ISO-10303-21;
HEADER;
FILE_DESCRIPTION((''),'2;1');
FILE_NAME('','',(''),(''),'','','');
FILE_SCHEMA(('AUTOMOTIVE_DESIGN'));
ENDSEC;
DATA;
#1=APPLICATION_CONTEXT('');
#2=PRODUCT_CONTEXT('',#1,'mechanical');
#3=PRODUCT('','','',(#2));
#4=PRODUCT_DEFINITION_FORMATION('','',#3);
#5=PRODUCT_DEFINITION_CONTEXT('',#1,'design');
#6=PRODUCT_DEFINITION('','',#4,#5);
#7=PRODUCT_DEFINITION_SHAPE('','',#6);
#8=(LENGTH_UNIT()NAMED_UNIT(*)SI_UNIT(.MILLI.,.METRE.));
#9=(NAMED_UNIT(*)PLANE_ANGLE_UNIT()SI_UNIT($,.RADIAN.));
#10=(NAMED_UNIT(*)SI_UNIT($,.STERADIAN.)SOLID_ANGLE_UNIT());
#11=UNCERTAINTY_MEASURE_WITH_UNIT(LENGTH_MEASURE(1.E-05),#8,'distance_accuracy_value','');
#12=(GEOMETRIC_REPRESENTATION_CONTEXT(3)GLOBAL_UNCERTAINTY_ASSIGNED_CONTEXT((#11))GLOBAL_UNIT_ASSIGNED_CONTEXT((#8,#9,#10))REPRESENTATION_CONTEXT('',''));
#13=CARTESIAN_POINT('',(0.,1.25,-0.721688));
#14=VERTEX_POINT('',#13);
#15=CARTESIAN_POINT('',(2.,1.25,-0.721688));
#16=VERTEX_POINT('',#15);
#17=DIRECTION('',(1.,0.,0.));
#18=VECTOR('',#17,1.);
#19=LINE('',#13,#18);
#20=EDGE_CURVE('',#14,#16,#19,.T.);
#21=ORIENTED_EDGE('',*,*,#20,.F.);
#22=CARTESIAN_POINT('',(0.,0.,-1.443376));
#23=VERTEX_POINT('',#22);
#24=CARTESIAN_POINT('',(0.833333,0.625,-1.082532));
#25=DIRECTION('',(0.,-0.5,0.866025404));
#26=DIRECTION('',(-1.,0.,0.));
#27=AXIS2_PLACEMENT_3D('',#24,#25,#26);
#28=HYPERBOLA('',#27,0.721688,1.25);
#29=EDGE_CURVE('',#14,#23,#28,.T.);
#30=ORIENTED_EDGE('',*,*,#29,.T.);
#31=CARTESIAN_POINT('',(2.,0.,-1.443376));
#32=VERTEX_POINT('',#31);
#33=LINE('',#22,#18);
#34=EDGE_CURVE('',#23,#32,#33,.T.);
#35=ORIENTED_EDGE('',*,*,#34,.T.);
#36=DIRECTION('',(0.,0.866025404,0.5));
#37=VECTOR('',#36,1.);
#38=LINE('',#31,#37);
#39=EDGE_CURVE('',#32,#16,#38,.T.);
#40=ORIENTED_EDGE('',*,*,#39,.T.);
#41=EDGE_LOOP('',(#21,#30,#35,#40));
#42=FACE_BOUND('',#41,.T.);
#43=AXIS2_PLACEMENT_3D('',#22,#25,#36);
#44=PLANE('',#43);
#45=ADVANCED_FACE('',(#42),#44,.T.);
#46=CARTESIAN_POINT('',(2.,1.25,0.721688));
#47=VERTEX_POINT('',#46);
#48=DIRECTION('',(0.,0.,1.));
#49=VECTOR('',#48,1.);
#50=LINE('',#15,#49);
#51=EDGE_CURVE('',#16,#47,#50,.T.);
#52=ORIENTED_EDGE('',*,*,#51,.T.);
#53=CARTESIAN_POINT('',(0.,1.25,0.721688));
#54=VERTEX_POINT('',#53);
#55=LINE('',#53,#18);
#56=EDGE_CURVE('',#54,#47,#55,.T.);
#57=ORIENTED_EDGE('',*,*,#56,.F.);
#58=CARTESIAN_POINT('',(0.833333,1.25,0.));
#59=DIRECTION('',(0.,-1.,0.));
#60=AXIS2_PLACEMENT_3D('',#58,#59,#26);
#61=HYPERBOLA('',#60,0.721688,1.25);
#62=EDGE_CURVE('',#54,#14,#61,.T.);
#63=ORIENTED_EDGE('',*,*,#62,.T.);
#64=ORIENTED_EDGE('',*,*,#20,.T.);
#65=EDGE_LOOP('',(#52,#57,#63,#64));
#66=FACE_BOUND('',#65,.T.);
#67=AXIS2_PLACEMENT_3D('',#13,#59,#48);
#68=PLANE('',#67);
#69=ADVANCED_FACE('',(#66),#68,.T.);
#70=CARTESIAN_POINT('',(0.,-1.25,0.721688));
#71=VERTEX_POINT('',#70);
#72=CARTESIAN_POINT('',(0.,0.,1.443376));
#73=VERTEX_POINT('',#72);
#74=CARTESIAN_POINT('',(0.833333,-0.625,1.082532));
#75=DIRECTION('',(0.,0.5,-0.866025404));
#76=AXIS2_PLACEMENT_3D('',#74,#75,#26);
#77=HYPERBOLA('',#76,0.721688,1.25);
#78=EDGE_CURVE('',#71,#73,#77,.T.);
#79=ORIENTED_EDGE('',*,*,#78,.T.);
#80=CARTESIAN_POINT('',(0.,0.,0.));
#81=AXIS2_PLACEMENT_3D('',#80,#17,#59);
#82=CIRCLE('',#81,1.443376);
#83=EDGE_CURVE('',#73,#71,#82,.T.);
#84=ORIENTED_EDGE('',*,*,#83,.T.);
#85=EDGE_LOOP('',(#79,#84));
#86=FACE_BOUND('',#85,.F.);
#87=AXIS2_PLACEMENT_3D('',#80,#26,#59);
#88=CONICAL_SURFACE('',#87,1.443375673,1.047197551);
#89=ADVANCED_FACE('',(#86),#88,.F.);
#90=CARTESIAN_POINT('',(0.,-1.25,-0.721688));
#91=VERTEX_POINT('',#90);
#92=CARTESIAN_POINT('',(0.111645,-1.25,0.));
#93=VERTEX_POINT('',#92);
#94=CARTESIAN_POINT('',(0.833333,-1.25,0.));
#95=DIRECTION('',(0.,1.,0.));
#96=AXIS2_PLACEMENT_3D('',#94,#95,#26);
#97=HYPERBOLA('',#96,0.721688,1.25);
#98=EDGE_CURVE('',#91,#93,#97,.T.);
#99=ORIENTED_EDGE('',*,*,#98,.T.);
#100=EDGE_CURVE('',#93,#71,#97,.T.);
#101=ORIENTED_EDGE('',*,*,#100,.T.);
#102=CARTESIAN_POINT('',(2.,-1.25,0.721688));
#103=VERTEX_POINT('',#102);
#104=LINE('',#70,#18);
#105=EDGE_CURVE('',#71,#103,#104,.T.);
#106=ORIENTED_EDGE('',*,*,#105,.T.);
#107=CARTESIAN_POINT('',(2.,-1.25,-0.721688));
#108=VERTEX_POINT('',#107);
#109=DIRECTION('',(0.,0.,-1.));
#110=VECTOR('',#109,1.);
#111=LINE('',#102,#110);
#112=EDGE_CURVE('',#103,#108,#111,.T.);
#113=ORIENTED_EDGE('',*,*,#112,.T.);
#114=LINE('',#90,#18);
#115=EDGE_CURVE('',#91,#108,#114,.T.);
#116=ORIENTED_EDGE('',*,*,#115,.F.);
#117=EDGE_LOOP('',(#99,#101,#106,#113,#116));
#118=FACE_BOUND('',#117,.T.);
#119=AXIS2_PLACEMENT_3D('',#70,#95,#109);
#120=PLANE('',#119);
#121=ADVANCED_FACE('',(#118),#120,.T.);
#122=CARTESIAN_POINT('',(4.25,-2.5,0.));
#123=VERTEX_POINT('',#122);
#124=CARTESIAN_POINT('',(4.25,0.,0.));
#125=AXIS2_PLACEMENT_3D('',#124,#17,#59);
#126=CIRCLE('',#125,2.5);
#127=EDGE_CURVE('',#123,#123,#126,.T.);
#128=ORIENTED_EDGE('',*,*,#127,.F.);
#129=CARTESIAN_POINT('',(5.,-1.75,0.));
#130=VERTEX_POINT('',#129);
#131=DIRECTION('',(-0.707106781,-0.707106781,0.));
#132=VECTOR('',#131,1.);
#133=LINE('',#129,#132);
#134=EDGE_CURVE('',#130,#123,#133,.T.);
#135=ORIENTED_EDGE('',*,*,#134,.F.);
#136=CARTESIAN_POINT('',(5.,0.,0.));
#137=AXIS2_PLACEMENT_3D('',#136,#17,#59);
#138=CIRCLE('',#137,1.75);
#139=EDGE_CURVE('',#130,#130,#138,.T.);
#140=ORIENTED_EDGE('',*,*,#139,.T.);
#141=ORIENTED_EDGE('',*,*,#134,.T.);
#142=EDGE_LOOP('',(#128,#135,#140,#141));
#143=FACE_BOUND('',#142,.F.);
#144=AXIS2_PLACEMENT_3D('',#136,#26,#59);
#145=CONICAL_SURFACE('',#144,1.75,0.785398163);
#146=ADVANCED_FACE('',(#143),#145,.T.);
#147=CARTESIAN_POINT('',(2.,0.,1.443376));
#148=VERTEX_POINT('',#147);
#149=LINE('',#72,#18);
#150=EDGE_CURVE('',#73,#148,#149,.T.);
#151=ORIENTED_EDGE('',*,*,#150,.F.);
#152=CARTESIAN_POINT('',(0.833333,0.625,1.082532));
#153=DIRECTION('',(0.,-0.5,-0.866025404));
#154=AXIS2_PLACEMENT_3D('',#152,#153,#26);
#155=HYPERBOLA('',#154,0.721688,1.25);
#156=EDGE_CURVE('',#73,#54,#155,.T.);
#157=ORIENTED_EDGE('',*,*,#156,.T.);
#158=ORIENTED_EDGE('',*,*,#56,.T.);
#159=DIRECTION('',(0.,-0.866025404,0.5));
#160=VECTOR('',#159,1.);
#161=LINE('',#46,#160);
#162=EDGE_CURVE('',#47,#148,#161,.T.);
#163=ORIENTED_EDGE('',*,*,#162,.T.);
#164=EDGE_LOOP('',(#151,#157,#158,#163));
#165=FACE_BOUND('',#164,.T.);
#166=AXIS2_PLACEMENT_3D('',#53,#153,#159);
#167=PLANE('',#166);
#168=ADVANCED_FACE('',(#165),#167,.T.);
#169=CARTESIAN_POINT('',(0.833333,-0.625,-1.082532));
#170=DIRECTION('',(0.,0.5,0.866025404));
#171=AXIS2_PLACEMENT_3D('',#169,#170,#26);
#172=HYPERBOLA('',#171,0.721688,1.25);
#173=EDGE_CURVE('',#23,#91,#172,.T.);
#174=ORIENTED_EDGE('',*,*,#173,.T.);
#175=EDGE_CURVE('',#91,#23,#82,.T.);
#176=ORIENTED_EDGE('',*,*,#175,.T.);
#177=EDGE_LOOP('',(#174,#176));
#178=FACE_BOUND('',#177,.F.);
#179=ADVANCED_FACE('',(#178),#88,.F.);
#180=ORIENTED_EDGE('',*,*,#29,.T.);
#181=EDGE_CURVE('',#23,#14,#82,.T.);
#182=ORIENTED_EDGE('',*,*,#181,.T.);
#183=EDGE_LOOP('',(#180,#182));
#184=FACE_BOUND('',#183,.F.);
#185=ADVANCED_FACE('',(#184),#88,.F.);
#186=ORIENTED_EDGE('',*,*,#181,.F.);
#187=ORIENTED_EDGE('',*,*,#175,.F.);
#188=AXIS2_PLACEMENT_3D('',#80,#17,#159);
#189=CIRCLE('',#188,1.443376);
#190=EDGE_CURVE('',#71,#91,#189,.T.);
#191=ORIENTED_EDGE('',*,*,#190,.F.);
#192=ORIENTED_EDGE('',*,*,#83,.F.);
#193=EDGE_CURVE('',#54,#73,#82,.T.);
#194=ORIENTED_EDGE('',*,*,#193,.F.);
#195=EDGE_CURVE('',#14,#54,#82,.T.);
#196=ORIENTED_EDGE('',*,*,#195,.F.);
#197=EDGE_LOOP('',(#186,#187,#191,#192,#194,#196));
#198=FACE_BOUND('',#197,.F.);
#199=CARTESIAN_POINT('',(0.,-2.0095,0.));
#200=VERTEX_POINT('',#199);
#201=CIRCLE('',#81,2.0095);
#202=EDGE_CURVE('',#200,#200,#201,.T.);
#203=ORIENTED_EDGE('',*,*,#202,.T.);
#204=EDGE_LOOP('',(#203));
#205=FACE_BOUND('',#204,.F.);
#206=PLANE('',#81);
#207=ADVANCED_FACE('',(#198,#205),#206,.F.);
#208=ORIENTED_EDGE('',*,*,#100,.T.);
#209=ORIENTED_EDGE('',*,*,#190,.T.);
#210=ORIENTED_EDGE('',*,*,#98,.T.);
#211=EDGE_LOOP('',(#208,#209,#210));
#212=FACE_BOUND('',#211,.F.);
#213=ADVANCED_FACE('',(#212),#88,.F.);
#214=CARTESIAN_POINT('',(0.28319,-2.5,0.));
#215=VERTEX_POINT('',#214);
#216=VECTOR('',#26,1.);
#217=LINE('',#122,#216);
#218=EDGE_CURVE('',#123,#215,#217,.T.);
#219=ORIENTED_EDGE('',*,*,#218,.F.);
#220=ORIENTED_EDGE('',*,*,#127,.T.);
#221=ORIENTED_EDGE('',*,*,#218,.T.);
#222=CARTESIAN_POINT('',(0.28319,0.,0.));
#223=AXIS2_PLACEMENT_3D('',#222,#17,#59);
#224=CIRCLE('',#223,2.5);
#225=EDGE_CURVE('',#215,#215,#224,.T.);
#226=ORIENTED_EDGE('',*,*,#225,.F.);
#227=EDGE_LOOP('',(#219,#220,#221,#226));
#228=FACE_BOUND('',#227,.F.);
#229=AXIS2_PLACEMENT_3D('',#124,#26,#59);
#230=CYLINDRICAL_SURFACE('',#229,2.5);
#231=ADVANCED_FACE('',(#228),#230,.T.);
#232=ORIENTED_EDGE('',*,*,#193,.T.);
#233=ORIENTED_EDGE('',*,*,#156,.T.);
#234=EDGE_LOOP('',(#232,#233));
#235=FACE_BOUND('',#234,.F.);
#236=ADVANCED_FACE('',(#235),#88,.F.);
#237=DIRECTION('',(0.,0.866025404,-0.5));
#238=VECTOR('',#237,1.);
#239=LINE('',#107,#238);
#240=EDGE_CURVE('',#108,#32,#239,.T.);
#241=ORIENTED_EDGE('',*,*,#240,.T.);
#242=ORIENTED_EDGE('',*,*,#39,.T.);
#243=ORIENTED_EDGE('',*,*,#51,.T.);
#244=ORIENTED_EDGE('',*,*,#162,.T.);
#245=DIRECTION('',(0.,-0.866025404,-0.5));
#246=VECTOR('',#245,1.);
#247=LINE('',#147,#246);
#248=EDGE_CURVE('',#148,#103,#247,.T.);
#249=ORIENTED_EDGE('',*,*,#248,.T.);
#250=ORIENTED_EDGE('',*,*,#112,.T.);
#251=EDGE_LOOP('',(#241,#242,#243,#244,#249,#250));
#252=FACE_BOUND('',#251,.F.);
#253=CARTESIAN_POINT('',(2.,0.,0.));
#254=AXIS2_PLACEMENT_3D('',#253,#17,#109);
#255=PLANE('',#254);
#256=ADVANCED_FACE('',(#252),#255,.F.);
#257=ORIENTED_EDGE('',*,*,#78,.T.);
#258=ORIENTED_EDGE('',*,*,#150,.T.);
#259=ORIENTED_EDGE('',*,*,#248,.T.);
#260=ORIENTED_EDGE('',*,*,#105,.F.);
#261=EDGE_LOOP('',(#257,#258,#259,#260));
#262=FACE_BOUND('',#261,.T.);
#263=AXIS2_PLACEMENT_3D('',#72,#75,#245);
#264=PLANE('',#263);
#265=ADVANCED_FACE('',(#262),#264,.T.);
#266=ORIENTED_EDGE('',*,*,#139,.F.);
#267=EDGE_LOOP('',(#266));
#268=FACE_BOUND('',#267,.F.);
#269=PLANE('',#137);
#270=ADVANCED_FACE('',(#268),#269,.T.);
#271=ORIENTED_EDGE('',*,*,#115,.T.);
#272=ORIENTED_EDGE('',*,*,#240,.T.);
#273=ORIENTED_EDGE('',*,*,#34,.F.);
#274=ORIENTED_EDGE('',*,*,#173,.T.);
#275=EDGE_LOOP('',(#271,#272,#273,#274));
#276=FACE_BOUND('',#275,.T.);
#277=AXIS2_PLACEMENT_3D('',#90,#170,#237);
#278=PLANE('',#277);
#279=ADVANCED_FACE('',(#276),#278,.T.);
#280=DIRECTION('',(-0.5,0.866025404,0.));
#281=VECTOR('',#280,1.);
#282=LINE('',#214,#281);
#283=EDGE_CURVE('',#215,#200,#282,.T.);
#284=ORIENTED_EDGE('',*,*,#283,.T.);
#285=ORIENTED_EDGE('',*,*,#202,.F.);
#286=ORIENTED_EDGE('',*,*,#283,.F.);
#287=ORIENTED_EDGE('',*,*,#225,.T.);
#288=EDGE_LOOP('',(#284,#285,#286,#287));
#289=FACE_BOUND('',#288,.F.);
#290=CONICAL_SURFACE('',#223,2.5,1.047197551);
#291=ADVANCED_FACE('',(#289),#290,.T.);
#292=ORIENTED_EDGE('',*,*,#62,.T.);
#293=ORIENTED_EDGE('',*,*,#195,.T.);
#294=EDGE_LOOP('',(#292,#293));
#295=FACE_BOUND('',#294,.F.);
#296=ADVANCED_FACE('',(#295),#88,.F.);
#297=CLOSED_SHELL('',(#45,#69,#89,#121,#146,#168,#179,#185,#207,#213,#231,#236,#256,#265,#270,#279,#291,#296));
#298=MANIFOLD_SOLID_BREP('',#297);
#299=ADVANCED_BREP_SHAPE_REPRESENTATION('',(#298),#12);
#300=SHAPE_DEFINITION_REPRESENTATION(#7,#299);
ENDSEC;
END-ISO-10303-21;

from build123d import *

# Parameters (mm, degrees)
CUT_EXTRUDE1_DEPTH = 2


with BuildPart() as part:
    # Sketch1 → Revolve1 (revolve)
    with BuildSketch(Plane.XY):
        Polygon((5, 0), (5, -1.75), (4.25, -2.5), (0.283190307, -2.5), (0, -2.0095), (0, -1.443375673), (0.833333333, 0), align=None)
    revolve(axis=Axis((0.833333333, 0, 0), (1, 0, 0)))

    # Sketch2 → Cut-Extrude1 (cut)
    with BuildSketch(Plane(origin=(0, 0, 0), x_dir=(0, 0, -1), z_dir=(1, 0, 0))):
        Polygon((-1.443375673, 0), (-0.721687836, -1.25), (0.721687836, -1.25), (1.443375673, 0), (0.721687836, 1.25), (-0.721687836, 1.25), align=None)
    extrude(amount=CUT_EXTRUDE1_DEPTH, mode=Mode.SUBTRACT)


solid = part.part
